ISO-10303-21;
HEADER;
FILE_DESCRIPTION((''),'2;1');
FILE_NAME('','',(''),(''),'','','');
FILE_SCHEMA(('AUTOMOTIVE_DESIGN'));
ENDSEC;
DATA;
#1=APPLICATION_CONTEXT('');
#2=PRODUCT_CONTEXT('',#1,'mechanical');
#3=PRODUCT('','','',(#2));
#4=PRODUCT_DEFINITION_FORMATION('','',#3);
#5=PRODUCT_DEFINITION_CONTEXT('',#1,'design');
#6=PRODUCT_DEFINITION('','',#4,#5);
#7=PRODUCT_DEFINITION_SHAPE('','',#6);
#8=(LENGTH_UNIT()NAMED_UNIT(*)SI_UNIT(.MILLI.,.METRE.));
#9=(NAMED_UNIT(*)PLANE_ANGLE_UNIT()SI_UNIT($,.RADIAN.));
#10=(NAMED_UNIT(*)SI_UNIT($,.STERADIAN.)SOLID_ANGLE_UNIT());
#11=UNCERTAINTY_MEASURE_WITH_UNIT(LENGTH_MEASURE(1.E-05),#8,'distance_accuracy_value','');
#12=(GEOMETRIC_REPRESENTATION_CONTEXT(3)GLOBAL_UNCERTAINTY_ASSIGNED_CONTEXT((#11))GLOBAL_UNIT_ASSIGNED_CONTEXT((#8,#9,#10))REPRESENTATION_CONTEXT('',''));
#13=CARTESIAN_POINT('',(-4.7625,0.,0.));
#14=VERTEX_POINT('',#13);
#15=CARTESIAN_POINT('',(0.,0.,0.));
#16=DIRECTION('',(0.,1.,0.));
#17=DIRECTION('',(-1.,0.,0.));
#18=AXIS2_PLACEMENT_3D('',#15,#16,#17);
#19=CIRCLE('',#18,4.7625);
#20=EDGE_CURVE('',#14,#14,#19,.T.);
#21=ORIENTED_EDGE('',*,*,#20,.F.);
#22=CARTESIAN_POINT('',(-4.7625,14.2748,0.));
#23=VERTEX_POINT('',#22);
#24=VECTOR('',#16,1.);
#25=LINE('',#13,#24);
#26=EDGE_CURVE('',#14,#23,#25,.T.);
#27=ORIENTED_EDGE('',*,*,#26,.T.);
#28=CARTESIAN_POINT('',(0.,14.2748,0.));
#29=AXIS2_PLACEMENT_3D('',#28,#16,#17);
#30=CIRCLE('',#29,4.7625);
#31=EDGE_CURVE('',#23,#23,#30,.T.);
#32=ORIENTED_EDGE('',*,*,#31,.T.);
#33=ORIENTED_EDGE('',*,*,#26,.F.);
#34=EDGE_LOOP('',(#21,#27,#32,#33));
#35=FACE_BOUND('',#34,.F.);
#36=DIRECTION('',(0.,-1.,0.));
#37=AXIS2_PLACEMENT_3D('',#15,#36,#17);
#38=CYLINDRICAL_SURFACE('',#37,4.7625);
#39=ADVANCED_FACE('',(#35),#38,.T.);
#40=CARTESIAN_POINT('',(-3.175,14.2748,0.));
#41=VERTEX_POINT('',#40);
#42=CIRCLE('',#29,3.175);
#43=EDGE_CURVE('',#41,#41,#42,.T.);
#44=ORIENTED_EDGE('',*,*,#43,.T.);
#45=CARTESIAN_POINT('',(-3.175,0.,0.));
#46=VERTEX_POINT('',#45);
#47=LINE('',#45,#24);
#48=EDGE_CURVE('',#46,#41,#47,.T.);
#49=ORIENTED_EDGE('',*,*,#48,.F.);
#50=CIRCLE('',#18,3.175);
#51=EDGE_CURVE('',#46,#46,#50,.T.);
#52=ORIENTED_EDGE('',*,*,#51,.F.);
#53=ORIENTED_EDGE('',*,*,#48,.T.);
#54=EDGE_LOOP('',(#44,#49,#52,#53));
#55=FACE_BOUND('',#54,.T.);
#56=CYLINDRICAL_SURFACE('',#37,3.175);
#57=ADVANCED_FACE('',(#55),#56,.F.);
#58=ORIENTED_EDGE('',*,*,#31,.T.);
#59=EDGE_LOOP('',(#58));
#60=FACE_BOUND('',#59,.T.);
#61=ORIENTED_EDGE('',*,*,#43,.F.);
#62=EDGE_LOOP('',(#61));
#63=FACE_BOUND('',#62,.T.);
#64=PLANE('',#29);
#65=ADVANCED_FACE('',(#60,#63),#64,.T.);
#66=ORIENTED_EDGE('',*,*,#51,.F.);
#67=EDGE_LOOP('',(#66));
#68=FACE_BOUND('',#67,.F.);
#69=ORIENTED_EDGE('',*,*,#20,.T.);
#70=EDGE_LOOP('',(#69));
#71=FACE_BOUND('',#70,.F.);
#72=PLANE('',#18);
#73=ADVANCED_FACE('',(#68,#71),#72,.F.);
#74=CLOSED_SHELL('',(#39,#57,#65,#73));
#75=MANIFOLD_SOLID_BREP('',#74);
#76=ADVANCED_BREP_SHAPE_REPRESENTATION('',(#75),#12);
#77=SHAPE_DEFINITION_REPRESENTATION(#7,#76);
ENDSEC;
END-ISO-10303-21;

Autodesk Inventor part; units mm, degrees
ref_plane "YZ Plane" through (0, 0, 0) normal (1, 0, 0) x (0, 1, 0)
ref_plane "XZ Plane" through (0, 0, 0) normal (0, 1, 0) x (-1, 0, 0)
ref_plane "XY Plane" through (0, 0, 0) normal (0, 0, 1) x (1, 0, 0)
sketch "Sketch1" plane through (0, 0, 0) normal (0, 1, 0) x (-1, 0, 0)
  circle A0 centre (0, 0) radius 3.175
  circle A1 centre (0, 0) radius 4.7625
  dimension "d0" = 6.35
  dimension "d2" = 1.5875
extrude "Extrusion1" add sketch "Sketch1" along normal blind 14.2748
properties part number "SpacerPvc"
